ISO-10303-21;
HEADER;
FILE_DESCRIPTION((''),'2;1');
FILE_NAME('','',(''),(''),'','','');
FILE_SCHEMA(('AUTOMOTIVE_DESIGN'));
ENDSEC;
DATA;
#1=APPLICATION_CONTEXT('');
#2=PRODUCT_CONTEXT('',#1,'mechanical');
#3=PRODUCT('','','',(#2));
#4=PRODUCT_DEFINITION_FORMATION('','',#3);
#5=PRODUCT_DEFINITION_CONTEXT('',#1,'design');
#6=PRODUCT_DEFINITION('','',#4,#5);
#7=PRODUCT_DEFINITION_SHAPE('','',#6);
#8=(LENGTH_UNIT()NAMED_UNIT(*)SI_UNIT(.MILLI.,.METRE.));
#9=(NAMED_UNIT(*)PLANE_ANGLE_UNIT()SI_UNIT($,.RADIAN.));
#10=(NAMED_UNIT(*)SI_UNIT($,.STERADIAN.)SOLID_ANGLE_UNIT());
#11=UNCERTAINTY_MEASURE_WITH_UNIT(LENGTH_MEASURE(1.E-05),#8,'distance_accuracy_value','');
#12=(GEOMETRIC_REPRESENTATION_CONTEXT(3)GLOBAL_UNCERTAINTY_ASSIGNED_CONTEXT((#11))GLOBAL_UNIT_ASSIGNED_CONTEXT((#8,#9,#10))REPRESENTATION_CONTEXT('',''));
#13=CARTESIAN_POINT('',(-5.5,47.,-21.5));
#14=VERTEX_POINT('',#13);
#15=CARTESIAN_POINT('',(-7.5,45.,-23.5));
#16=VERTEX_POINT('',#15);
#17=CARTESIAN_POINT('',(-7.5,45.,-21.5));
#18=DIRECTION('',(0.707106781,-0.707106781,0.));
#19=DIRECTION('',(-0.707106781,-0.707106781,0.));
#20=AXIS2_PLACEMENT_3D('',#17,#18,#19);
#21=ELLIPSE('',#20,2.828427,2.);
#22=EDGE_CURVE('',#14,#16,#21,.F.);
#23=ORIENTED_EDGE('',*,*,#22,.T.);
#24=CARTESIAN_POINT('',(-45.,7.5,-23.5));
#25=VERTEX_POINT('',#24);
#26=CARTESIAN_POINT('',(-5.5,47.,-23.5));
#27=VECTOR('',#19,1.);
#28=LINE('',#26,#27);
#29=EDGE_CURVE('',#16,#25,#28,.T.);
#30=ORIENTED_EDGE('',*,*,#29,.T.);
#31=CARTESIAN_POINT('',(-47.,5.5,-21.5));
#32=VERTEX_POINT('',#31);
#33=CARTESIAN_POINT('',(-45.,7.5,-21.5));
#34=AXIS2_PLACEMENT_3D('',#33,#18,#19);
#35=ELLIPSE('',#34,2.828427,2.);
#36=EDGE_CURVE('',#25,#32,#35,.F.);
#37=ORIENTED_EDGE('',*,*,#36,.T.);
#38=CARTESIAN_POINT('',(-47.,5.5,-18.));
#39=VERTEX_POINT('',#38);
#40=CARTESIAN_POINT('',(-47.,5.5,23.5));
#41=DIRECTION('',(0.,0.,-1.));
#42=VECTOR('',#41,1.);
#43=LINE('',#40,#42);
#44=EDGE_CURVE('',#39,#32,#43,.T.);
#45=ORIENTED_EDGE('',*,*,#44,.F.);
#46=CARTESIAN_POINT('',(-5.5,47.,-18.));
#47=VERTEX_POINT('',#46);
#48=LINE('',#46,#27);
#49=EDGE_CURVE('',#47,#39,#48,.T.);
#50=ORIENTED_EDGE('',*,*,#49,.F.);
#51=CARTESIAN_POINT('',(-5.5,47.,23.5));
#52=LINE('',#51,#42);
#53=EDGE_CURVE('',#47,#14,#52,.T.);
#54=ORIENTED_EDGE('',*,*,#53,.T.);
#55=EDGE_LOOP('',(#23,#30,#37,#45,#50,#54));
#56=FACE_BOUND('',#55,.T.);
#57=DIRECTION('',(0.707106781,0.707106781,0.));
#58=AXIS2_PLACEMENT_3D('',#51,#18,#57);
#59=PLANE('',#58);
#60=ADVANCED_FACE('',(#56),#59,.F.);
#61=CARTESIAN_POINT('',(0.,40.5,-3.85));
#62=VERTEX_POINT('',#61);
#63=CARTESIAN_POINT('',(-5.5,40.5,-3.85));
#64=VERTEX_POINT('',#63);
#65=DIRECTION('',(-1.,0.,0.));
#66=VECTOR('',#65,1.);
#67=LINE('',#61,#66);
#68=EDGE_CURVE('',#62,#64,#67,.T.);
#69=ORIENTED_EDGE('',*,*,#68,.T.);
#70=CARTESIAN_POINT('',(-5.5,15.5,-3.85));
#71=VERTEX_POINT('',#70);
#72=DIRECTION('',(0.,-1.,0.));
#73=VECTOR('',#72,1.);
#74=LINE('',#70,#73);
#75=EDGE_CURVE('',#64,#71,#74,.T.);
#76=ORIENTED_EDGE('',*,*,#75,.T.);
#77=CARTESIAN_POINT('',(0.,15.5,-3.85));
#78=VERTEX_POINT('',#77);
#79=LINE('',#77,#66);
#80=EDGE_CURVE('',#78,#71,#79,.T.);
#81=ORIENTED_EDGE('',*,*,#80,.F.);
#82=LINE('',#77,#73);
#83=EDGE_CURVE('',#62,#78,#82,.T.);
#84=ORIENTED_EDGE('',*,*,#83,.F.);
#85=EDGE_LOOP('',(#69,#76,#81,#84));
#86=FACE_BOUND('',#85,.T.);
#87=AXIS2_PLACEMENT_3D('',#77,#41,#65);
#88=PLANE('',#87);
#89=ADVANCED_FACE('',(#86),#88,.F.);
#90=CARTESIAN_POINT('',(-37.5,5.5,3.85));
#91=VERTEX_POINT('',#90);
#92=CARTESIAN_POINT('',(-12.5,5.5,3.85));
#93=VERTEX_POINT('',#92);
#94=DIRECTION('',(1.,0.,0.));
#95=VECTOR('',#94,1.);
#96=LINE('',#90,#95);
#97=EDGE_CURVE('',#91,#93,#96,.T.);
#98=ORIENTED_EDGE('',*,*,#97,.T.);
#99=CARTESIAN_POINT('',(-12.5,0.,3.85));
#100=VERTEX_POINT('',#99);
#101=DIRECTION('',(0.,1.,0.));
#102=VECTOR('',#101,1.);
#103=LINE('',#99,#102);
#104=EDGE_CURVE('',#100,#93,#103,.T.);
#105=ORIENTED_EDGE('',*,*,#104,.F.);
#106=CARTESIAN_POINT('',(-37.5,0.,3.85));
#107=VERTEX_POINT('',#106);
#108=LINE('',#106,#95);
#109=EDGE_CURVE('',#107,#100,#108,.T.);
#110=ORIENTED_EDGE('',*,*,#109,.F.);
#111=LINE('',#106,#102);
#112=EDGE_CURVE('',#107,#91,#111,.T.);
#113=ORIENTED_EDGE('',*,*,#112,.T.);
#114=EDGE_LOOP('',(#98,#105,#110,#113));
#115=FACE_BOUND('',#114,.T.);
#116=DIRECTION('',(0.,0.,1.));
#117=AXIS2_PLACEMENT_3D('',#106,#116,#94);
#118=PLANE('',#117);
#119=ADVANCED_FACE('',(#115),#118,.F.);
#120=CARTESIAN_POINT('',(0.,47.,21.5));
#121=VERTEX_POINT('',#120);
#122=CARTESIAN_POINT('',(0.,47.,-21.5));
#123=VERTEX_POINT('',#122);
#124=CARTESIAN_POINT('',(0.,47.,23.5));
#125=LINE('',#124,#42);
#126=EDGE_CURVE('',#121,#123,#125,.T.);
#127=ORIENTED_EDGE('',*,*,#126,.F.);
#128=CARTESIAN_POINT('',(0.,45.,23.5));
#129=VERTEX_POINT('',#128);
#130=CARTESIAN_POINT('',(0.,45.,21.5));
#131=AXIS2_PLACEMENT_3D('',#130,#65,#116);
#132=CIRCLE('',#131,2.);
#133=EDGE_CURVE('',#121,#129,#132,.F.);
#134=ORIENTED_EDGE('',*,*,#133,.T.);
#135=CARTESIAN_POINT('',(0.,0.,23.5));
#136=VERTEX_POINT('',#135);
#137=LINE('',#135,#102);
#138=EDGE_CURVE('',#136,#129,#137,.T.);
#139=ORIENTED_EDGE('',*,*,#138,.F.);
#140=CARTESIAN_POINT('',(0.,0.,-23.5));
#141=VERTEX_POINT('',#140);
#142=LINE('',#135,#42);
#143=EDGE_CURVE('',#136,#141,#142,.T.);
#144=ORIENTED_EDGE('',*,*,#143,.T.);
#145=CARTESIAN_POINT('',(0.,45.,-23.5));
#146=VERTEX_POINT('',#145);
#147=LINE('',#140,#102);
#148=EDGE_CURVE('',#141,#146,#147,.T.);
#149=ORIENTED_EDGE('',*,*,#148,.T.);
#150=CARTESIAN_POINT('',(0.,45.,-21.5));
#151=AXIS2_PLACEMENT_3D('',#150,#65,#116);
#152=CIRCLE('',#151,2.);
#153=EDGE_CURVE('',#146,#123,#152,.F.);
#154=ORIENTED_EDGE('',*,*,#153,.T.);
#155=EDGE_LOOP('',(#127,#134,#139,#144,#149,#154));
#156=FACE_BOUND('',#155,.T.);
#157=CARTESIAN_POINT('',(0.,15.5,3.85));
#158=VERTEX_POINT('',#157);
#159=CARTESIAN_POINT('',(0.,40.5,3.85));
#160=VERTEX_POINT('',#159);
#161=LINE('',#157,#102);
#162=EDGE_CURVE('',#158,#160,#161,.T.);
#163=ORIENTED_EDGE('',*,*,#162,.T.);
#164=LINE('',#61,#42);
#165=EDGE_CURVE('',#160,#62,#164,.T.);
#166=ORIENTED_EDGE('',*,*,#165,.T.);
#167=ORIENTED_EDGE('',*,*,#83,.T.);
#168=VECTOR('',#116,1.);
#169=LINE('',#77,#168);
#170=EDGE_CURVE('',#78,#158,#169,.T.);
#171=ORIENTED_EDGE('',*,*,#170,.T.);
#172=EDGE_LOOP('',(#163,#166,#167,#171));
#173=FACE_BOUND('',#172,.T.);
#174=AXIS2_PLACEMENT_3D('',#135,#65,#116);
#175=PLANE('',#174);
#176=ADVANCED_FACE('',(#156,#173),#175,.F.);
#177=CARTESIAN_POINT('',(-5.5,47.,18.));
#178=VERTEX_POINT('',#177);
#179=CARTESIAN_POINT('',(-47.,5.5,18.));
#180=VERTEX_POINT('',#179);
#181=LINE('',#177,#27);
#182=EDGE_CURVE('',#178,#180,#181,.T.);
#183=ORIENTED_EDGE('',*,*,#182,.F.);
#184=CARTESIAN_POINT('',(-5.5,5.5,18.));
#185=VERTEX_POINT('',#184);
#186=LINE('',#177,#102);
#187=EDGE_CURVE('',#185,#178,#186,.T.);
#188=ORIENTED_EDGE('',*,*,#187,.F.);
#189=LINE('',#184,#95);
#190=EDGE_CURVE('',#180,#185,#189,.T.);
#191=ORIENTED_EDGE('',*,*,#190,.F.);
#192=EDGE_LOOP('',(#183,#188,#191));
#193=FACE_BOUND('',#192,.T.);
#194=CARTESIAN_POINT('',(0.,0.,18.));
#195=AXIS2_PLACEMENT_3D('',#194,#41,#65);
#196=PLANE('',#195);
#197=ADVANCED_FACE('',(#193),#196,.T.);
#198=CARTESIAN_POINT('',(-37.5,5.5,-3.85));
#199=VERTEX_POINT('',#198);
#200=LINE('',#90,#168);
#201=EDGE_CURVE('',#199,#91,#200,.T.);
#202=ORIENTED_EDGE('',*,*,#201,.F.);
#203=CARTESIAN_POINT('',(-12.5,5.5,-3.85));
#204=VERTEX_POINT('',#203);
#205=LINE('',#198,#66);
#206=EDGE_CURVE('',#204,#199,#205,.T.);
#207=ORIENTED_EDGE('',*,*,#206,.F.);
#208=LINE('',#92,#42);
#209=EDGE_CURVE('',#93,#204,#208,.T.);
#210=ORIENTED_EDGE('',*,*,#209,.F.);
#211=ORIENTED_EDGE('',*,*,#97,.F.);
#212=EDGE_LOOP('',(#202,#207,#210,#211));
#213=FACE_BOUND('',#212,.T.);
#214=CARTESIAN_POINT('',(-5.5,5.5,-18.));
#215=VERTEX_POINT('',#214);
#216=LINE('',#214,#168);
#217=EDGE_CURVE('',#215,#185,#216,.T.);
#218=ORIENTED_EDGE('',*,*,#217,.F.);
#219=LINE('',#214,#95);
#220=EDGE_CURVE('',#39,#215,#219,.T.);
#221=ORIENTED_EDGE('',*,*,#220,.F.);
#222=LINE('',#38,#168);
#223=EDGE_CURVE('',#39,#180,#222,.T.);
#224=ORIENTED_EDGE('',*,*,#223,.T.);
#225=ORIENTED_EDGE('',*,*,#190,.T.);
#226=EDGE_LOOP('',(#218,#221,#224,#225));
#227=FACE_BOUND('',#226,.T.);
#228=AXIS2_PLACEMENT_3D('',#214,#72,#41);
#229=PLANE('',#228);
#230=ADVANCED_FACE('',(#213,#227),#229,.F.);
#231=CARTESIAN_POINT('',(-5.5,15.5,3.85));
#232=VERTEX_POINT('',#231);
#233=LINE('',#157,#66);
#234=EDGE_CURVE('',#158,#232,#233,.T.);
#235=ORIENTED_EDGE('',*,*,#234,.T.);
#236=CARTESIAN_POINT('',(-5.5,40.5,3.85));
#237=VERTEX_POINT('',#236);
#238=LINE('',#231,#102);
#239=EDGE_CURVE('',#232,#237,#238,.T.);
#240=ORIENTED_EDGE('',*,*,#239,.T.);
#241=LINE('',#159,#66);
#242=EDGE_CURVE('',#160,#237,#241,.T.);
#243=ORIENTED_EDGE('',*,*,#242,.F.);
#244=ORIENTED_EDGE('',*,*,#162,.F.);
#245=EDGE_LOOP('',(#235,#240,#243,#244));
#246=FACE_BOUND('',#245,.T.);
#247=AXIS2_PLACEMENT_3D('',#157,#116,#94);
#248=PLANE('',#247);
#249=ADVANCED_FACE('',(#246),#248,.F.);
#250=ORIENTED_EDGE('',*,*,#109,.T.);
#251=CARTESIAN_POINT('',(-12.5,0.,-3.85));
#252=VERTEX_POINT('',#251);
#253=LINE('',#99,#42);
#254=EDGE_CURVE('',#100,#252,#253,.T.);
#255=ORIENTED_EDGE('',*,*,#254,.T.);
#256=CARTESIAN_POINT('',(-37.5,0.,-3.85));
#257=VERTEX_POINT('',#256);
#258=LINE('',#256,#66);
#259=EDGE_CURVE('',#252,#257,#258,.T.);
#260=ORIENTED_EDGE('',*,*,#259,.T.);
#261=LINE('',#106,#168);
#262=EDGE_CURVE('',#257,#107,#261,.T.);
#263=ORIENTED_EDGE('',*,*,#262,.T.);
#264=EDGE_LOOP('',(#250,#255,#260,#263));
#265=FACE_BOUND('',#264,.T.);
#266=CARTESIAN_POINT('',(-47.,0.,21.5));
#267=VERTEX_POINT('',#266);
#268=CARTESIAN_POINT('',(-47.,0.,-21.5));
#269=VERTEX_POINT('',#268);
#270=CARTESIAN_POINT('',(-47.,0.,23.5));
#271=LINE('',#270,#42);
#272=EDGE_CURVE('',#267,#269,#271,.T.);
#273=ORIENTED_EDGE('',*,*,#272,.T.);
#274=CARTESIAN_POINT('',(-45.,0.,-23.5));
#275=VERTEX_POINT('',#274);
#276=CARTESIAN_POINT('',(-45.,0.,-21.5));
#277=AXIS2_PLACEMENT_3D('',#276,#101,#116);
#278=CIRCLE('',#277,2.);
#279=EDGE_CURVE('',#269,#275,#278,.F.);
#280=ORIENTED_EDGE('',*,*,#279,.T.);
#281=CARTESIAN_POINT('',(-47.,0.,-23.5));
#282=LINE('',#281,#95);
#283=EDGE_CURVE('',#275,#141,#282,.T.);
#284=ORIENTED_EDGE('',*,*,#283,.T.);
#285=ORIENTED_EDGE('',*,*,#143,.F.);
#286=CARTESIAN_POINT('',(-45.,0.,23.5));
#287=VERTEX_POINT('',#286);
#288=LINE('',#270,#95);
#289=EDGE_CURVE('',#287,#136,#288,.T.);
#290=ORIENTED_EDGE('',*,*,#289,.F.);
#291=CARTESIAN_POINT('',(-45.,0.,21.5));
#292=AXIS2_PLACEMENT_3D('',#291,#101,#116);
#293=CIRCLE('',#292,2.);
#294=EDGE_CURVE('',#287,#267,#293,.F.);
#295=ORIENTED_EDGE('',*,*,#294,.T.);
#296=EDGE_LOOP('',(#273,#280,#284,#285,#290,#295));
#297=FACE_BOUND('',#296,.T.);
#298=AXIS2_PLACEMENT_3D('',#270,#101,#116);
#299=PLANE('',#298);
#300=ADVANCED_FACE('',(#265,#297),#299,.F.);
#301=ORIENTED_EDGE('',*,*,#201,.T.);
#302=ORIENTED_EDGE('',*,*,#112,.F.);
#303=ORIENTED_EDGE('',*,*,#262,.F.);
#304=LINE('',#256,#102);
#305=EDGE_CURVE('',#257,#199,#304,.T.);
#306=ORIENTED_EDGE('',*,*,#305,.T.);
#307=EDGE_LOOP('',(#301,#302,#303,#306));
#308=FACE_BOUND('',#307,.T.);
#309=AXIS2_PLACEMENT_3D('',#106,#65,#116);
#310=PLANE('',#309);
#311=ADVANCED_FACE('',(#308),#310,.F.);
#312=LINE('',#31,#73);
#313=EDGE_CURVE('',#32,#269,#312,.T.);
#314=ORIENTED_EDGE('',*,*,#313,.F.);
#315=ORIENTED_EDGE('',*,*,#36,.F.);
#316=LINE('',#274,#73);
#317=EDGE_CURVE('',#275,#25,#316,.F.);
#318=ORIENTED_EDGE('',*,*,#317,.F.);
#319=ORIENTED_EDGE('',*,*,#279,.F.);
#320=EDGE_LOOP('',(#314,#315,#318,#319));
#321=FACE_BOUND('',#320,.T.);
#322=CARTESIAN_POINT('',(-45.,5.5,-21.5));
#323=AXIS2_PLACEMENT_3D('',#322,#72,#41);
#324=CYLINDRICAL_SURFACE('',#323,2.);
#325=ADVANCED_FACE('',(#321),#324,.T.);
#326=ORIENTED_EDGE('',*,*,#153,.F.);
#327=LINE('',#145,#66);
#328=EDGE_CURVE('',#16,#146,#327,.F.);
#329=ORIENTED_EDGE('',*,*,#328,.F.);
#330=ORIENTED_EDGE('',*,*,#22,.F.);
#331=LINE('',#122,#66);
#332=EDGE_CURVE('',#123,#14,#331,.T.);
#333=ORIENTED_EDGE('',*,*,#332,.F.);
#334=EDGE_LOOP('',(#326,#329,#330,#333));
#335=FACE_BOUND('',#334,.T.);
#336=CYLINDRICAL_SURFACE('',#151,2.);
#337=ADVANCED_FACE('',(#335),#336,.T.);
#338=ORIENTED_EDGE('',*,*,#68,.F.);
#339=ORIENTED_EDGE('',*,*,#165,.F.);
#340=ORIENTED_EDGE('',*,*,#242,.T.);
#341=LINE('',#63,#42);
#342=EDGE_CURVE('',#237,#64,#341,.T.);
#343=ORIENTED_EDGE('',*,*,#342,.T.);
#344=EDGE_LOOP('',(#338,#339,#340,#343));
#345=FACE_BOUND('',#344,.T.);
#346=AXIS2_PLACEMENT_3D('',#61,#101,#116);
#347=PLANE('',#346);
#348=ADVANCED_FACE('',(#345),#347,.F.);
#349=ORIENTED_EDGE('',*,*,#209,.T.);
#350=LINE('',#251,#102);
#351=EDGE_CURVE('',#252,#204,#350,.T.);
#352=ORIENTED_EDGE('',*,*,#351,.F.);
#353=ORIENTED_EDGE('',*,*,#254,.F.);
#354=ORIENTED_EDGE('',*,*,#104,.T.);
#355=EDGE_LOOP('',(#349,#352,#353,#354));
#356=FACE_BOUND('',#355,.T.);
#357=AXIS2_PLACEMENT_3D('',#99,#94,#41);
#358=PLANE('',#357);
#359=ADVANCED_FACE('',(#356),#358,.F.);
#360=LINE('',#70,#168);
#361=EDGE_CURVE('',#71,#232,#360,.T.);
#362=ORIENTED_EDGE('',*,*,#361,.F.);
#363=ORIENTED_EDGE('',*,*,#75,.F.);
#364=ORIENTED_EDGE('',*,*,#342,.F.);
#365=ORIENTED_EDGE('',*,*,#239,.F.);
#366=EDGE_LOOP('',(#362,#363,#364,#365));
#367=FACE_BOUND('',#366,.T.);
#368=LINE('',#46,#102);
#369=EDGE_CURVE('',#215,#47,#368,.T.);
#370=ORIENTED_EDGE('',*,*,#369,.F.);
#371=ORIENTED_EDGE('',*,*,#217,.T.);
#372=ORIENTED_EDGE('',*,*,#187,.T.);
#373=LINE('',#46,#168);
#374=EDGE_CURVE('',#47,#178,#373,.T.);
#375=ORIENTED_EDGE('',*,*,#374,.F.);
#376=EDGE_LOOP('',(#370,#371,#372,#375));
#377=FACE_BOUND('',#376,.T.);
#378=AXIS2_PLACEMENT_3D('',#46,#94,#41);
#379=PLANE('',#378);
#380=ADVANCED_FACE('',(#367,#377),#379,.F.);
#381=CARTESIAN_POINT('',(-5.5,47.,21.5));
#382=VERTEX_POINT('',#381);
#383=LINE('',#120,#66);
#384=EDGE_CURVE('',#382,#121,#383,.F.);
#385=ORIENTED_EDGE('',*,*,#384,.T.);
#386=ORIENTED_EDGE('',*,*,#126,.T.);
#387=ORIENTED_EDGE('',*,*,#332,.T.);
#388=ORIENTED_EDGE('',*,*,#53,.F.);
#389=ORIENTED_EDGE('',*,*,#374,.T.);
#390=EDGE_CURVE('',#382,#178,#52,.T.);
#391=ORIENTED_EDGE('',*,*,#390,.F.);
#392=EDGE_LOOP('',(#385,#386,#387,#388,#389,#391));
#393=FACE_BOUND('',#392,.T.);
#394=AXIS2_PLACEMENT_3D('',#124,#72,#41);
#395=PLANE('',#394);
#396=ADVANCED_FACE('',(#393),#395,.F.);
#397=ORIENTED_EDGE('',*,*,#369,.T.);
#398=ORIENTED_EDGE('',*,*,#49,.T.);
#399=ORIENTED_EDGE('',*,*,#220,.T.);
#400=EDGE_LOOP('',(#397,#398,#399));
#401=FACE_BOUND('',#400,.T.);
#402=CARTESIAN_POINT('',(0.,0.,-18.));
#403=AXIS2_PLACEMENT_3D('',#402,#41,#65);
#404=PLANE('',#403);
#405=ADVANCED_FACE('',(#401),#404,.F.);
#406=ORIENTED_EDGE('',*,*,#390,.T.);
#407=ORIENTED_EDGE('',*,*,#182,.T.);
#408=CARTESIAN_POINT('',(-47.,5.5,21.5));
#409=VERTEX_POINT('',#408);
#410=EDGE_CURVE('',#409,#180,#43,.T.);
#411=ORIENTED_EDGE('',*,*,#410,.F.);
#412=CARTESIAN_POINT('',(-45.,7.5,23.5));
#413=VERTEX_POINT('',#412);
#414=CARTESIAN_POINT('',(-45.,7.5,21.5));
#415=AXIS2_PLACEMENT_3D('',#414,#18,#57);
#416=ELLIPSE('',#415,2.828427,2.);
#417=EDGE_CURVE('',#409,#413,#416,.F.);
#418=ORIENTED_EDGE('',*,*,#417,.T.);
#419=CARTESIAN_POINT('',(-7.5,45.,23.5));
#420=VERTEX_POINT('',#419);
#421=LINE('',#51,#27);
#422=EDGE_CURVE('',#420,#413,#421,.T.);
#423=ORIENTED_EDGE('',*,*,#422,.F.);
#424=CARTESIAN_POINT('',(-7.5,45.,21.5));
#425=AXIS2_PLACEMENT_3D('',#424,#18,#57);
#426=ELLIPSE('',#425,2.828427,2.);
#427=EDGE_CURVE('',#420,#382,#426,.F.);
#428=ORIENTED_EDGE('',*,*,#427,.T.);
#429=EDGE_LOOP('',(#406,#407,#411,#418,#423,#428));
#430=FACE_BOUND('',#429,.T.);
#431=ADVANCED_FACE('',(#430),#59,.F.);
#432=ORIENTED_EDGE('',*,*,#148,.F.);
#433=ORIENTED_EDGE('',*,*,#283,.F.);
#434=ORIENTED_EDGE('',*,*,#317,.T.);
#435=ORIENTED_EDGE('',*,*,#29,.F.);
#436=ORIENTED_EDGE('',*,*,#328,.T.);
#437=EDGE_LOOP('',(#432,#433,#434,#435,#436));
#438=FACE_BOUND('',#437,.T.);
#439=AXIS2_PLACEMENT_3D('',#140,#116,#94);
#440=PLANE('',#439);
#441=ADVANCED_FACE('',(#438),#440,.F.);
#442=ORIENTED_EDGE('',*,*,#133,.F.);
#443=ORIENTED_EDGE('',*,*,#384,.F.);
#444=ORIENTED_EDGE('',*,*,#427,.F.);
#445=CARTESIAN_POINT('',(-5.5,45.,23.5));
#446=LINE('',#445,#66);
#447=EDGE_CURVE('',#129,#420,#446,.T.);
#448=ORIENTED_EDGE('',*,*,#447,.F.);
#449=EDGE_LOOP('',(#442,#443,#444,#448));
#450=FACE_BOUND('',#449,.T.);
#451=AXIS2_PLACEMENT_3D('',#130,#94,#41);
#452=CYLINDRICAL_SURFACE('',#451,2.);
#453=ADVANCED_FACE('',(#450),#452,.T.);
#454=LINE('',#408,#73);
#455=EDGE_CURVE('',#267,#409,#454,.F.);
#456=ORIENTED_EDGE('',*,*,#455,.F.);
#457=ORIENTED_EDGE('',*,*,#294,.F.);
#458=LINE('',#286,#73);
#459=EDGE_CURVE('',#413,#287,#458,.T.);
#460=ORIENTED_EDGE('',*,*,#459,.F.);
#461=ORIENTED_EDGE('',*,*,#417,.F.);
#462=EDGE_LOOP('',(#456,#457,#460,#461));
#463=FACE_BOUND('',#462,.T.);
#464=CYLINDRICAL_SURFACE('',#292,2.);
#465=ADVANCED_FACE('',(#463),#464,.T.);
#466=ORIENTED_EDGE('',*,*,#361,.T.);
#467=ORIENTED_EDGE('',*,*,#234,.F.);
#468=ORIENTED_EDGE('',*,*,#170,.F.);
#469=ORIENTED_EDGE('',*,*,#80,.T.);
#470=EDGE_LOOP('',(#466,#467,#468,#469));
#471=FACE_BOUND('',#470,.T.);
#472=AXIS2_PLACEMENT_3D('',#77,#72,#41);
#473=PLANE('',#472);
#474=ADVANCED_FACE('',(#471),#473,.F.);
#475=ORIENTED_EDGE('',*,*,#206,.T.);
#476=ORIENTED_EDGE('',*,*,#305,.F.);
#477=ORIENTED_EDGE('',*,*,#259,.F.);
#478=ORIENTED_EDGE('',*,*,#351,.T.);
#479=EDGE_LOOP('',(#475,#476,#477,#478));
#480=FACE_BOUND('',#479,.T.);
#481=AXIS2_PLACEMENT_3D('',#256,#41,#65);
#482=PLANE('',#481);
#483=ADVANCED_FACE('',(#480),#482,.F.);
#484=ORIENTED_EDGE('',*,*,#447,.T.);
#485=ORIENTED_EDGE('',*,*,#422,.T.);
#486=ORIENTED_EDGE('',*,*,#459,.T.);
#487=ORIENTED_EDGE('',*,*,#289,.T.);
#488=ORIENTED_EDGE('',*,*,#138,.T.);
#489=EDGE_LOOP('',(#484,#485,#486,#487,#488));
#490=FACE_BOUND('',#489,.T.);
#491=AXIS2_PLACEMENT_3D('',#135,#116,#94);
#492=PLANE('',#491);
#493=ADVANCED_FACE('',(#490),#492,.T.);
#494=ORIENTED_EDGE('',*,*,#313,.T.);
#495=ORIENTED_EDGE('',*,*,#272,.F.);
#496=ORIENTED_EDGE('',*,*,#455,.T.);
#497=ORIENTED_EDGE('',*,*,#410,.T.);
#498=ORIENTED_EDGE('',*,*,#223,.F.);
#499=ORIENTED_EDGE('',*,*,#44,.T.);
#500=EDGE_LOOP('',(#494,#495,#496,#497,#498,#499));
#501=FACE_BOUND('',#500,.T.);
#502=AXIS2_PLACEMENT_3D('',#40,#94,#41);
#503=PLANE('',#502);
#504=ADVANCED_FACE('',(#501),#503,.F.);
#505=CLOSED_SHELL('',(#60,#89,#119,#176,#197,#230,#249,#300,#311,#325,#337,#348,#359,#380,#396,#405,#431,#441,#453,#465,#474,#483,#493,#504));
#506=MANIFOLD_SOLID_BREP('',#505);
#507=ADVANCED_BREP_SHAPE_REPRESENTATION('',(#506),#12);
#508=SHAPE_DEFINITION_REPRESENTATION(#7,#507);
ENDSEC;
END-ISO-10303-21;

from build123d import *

# Parameters (mm, degrees)
BOSS_EXTRUDE1_DEPTH = 23.5
CUT_EXTRUDE1_DEPTH  = 18
SKETCH3_W           = 7.7
SKETCH3_H           = 25
CUT_EXTRUDE2_DEPTH  = 6.5
SKETCH4_W           = 25
SKETCH4_H           = 7.7
CUT_EXTRUDE3_DEPTH  = 6.5
FILLET1_R           = 2


with BuildPart() as part:
    # Sketch1 → Boss-Extrude1 (new body, symmetric)
    with BuildSketch(Plane.XY):
        Polygon((-47, 0), (0, 0), (0, 47), (-5.5, 47), (-47, 5.5), align=None)
    extrude(amount=BOSS_EXTRUDE1_DEPTH, both=True)

    # Sketch2 → Cut-Extrude1 (cut, symmetric)
    with BuildSketch(Plane.XY):
        Polygon((-5.5, 47), (-5.5, 5.5), (-47, 5.5), align=None)
    extrude(amount=CUT_EXTRUDE1_DEPTH, both=True, mode=Mode.SUBTRACT)

    # Sketch3 → Cut-Extrude2 (cut, through all)
    with BuildSketch(Plane.ZY.offset(5.5)):
        with Locations((0, 28)):
            Rectangle(SKETCH3_W, SKETCH3_H)
    extrude(amount=-CUT_EXTRUDE2_DEPTH, mode=Mode.SUBTRACT)

    # Sketch4 → Cut-Extrude3 (cut, through all)
    with BuildSketch(Plane(origin=(0, 5.5, 0), x_dir=(1, 0, 0), z_dir=(0, 1, 0))):
        with Locations((-25, 0)):
            Rectangle(SKETCH4_W, SKETCH4_H)
    extrude(amount=-CUT_EXTRUDE3_DEPTH, mode=Mode.SUBTRACT)

    # Fillet1
    fillet1_edges = [part.edges().sort_by_distance(p)[0] for p in [
        (-2.75, 47, 23.5),
        (-47, 2.75, 23.5),
        (-2.75, 47, -23.5),
        (-47, 2.75, -23.5),
    ]]
    fillet(fillet1_edges, radius=FILLET1_R)


solid = part.part
